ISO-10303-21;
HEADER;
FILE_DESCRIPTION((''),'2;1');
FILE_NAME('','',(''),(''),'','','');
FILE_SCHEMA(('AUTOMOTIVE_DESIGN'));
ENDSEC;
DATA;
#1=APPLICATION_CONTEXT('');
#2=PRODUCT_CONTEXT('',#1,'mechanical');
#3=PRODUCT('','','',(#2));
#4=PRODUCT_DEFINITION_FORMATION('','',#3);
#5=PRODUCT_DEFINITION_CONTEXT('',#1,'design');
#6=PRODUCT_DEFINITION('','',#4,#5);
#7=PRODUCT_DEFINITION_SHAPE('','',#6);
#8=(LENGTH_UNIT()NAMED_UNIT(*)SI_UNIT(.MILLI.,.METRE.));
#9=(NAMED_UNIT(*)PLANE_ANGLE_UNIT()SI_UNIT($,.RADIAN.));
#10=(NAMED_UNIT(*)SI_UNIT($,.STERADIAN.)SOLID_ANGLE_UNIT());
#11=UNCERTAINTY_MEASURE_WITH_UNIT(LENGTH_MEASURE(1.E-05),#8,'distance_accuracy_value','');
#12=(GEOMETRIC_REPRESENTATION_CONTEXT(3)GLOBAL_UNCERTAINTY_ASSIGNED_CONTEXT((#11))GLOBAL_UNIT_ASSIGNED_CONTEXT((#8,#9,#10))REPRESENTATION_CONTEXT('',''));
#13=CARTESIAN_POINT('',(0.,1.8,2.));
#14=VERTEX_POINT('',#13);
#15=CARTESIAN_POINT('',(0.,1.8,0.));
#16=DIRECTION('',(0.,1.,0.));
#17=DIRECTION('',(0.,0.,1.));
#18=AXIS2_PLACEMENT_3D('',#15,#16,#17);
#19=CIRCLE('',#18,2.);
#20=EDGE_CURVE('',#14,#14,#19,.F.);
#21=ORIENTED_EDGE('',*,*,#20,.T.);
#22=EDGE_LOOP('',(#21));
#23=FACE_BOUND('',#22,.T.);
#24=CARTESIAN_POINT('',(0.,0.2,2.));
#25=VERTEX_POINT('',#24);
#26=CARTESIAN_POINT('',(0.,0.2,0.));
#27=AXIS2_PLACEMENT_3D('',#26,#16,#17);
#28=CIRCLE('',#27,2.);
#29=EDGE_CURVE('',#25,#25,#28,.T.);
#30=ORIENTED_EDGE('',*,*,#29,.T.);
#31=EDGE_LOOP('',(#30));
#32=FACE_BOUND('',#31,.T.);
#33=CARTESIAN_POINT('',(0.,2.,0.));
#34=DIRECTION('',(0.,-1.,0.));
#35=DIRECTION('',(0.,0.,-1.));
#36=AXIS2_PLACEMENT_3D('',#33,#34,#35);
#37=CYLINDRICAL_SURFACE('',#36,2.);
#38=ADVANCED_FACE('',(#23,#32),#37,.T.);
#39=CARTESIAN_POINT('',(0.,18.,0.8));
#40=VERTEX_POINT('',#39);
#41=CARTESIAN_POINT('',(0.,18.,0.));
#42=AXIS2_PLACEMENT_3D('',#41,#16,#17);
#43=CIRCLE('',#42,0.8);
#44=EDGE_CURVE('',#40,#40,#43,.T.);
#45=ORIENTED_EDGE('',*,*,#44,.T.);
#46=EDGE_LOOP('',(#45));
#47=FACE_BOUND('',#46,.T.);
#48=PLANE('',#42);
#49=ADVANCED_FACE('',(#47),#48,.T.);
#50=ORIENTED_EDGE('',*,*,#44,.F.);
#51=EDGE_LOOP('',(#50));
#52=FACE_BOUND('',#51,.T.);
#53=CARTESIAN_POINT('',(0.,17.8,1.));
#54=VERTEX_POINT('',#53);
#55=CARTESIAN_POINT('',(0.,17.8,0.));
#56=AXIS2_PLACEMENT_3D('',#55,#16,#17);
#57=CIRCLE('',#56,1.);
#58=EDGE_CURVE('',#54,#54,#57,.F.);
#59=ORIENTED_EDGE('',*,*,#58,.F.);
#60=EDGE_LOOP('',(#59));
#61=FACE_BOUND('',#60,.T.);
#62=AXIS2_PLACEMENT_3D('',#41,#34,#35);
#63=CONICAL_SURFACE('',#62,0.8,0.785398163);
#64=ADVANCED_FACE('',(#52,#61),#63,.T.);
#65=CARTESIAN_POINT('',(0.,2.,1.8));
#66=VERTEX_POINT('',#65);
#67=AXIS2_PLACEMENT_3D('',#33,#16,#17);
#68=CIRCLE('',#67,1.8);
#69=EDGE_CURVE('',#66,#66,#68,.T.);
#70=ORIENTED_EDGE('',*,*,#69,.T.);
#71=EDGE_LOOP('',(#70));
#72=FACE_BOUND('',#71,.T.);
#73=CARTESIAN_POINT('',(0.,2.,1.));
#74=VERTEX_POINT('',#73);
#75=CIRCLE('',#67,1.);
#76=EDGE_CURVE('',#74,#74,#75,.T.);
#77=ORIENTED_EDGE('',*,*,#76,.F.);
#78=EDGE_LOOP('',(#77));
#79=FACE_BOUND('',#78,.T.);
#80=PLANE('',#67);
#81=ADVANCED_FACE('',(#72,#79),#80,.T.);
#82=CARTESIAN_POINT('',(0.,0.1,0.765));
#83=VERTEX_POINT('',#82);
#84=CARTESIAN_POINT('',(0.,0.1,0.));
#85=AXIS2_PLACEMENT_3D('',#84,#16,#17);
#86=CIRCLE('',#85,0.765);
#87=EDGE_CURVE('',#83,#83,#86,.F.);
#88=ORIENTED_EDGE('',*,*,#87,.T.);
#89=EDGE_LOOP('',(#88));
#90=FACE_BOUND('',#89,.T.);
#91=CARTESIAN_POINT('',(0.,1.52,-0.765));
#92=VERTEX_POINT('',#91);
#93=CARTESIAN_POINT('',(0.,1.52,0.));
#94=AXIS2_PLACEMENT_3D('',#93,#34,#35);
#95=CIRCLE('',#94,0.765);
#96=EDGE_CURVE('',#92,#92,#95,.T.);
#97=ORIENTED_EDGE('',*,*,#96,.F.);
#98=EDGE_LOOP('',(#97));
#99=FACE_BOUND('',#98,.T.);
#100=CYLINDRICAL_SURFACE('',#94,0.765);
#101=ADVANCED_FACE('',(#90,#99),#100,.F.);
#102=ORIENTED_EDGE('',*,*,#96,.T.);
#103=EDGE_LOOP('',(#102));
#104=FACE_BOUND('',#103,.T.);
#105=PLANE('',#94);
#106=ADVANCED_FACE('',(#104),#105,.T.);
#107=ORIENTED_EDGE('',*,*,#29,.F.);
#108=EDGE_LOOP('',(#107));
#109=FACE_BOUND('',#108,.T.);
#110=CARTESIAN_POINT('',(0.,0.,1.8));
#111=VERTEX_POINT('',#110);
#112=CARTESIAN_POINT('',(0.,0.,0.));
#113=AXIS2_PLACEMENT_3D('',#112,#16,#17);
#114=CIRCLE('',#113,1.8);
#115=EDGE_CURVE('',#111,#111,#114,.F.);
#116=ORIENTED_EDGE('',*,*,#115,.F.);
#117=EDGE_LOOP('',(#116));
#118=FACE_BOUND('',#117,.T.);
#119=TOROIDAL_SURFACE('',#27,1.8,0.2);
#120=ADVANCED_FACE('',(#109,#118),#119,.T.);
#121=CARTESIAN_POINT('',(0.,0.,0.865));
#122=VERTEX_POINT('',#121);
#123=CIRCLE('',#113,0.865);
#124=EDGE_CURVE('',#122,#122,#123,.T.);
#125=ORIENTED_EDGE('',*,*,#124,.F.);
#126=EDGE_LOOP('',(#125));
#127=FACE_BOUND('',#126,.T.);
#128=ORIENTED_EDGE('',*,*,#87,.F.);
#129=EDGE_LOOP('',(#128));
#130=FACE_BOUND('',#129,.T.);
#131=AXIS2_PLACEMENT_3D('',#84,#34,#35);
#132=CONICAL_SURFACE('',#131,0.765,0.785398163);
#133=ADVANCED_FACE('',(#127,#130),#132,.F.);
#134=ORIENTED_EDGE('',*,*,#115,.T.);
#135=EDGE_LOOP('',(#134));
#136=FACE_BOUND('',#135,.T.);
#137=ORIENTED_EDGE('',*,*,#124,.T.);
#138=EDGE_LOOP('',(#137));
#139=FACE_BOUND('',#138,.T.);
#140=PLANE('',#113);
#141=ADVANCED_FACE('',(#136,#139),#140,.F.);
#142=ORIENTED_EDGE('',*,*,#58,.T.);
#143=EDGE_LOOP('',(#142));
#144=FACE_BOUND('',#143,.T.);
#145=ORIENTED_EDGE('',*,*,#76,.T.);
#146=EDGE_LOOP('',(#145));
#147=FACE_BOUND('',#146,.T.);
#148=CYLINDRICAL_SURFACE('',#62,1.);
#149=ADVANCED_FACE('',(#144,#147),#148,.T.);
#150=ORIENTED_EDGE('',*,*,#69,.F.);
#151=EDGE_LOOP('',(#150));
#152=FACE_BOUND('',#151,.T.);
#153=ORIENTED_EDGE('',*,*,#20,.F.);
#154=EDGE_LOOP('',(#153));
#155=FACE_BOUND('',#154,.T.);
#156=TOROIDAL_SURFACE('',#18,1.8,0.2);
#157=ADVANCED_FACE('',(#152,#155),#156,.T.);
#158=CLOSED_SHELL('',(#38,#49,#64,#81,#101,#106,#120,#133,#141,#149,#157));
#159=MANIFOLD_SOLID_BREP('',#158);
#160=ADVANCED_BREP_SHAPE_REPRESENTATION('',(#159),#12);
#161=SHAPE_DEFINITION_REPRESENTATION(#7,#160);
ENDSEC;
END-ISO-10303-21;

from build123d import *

# Parameters (mm, degrees)
SKETCH_2_R          = 2
EXTRUDE_1_DEPTH     = 2
SKETCH_3_R          = 1
EXTRUDE_2_DEPTH     = 16
FILLET_1_R          = 0.2
SKETCH_4_R          = 0.765
CUT_EXTRUDE_1_DEPTH = 1.52
CHAMFER_1_SIZE      = 0.1
CHAMFER_2_SIZE      = 0.2


with BuildPart() as part:
    # 草图2 → 凸台-拉伸1 (new body)
    with BuildSketch(Plane(origin=(0, 0, 0), x_dir=(1, 0, 0), z_dir=(0, 1, 0))):
        with Locations(Location((0, 0, 0), (0, 0, 270))):
            Circle(SKETCH_2_R)
    extrude(amount=EXTRUDE_1_DEPTH)

    # 草图3 → 凸台-拉伸2 (add)
    with BuildSketch(Plane(origin=(0, 2, 0), x_dir=(1, 0, 0), z_dir=(0, 1, 0))):
        with Locations(Location((0, 0, 0), (0, 0, 270))):
            Circle(SKETCH_3_R)
    extrude(amount=EXTRUDE_2_DEPTH)

    # 圆角1
    fillet_1_edges = [part.edges().sort_by_distance(p)[0] for p in [
        (0, 0, -2),
        (0, 2, -2),
    ]]
    fillet(fillet_1_edges, radius=FILLET_1_R)

    # 草图4 → 切除-拉伸1 (cut)
    with BuildSketch(Plane.XZ):
        with Locations(Location((0, 0, 0), (0, 0, 270))):
            Circle(SKETCH_4_R)
    extrude(amount=-CUT_EXTRUDE_1_DEPTH, mode=Mode.SUBTRACT)

    # 倒角1
    chamfer_1_edges = [part.edges().sort_by_distance(p)[0] for p in [
        (0, 0, 0.765),
    ]]
    chamfer(chamfer_1_edges, length=CHAMFER_1_SIZE)

    # 倒角2
    chamfer_2_edges = [part.edges().sort_by_distance(p)[0] for p in [
        (0, 18, -1),
    ]]
    chamfer(chamfer_2_edges, length=CHAMFER_2_SIZE)


solid = part.part
